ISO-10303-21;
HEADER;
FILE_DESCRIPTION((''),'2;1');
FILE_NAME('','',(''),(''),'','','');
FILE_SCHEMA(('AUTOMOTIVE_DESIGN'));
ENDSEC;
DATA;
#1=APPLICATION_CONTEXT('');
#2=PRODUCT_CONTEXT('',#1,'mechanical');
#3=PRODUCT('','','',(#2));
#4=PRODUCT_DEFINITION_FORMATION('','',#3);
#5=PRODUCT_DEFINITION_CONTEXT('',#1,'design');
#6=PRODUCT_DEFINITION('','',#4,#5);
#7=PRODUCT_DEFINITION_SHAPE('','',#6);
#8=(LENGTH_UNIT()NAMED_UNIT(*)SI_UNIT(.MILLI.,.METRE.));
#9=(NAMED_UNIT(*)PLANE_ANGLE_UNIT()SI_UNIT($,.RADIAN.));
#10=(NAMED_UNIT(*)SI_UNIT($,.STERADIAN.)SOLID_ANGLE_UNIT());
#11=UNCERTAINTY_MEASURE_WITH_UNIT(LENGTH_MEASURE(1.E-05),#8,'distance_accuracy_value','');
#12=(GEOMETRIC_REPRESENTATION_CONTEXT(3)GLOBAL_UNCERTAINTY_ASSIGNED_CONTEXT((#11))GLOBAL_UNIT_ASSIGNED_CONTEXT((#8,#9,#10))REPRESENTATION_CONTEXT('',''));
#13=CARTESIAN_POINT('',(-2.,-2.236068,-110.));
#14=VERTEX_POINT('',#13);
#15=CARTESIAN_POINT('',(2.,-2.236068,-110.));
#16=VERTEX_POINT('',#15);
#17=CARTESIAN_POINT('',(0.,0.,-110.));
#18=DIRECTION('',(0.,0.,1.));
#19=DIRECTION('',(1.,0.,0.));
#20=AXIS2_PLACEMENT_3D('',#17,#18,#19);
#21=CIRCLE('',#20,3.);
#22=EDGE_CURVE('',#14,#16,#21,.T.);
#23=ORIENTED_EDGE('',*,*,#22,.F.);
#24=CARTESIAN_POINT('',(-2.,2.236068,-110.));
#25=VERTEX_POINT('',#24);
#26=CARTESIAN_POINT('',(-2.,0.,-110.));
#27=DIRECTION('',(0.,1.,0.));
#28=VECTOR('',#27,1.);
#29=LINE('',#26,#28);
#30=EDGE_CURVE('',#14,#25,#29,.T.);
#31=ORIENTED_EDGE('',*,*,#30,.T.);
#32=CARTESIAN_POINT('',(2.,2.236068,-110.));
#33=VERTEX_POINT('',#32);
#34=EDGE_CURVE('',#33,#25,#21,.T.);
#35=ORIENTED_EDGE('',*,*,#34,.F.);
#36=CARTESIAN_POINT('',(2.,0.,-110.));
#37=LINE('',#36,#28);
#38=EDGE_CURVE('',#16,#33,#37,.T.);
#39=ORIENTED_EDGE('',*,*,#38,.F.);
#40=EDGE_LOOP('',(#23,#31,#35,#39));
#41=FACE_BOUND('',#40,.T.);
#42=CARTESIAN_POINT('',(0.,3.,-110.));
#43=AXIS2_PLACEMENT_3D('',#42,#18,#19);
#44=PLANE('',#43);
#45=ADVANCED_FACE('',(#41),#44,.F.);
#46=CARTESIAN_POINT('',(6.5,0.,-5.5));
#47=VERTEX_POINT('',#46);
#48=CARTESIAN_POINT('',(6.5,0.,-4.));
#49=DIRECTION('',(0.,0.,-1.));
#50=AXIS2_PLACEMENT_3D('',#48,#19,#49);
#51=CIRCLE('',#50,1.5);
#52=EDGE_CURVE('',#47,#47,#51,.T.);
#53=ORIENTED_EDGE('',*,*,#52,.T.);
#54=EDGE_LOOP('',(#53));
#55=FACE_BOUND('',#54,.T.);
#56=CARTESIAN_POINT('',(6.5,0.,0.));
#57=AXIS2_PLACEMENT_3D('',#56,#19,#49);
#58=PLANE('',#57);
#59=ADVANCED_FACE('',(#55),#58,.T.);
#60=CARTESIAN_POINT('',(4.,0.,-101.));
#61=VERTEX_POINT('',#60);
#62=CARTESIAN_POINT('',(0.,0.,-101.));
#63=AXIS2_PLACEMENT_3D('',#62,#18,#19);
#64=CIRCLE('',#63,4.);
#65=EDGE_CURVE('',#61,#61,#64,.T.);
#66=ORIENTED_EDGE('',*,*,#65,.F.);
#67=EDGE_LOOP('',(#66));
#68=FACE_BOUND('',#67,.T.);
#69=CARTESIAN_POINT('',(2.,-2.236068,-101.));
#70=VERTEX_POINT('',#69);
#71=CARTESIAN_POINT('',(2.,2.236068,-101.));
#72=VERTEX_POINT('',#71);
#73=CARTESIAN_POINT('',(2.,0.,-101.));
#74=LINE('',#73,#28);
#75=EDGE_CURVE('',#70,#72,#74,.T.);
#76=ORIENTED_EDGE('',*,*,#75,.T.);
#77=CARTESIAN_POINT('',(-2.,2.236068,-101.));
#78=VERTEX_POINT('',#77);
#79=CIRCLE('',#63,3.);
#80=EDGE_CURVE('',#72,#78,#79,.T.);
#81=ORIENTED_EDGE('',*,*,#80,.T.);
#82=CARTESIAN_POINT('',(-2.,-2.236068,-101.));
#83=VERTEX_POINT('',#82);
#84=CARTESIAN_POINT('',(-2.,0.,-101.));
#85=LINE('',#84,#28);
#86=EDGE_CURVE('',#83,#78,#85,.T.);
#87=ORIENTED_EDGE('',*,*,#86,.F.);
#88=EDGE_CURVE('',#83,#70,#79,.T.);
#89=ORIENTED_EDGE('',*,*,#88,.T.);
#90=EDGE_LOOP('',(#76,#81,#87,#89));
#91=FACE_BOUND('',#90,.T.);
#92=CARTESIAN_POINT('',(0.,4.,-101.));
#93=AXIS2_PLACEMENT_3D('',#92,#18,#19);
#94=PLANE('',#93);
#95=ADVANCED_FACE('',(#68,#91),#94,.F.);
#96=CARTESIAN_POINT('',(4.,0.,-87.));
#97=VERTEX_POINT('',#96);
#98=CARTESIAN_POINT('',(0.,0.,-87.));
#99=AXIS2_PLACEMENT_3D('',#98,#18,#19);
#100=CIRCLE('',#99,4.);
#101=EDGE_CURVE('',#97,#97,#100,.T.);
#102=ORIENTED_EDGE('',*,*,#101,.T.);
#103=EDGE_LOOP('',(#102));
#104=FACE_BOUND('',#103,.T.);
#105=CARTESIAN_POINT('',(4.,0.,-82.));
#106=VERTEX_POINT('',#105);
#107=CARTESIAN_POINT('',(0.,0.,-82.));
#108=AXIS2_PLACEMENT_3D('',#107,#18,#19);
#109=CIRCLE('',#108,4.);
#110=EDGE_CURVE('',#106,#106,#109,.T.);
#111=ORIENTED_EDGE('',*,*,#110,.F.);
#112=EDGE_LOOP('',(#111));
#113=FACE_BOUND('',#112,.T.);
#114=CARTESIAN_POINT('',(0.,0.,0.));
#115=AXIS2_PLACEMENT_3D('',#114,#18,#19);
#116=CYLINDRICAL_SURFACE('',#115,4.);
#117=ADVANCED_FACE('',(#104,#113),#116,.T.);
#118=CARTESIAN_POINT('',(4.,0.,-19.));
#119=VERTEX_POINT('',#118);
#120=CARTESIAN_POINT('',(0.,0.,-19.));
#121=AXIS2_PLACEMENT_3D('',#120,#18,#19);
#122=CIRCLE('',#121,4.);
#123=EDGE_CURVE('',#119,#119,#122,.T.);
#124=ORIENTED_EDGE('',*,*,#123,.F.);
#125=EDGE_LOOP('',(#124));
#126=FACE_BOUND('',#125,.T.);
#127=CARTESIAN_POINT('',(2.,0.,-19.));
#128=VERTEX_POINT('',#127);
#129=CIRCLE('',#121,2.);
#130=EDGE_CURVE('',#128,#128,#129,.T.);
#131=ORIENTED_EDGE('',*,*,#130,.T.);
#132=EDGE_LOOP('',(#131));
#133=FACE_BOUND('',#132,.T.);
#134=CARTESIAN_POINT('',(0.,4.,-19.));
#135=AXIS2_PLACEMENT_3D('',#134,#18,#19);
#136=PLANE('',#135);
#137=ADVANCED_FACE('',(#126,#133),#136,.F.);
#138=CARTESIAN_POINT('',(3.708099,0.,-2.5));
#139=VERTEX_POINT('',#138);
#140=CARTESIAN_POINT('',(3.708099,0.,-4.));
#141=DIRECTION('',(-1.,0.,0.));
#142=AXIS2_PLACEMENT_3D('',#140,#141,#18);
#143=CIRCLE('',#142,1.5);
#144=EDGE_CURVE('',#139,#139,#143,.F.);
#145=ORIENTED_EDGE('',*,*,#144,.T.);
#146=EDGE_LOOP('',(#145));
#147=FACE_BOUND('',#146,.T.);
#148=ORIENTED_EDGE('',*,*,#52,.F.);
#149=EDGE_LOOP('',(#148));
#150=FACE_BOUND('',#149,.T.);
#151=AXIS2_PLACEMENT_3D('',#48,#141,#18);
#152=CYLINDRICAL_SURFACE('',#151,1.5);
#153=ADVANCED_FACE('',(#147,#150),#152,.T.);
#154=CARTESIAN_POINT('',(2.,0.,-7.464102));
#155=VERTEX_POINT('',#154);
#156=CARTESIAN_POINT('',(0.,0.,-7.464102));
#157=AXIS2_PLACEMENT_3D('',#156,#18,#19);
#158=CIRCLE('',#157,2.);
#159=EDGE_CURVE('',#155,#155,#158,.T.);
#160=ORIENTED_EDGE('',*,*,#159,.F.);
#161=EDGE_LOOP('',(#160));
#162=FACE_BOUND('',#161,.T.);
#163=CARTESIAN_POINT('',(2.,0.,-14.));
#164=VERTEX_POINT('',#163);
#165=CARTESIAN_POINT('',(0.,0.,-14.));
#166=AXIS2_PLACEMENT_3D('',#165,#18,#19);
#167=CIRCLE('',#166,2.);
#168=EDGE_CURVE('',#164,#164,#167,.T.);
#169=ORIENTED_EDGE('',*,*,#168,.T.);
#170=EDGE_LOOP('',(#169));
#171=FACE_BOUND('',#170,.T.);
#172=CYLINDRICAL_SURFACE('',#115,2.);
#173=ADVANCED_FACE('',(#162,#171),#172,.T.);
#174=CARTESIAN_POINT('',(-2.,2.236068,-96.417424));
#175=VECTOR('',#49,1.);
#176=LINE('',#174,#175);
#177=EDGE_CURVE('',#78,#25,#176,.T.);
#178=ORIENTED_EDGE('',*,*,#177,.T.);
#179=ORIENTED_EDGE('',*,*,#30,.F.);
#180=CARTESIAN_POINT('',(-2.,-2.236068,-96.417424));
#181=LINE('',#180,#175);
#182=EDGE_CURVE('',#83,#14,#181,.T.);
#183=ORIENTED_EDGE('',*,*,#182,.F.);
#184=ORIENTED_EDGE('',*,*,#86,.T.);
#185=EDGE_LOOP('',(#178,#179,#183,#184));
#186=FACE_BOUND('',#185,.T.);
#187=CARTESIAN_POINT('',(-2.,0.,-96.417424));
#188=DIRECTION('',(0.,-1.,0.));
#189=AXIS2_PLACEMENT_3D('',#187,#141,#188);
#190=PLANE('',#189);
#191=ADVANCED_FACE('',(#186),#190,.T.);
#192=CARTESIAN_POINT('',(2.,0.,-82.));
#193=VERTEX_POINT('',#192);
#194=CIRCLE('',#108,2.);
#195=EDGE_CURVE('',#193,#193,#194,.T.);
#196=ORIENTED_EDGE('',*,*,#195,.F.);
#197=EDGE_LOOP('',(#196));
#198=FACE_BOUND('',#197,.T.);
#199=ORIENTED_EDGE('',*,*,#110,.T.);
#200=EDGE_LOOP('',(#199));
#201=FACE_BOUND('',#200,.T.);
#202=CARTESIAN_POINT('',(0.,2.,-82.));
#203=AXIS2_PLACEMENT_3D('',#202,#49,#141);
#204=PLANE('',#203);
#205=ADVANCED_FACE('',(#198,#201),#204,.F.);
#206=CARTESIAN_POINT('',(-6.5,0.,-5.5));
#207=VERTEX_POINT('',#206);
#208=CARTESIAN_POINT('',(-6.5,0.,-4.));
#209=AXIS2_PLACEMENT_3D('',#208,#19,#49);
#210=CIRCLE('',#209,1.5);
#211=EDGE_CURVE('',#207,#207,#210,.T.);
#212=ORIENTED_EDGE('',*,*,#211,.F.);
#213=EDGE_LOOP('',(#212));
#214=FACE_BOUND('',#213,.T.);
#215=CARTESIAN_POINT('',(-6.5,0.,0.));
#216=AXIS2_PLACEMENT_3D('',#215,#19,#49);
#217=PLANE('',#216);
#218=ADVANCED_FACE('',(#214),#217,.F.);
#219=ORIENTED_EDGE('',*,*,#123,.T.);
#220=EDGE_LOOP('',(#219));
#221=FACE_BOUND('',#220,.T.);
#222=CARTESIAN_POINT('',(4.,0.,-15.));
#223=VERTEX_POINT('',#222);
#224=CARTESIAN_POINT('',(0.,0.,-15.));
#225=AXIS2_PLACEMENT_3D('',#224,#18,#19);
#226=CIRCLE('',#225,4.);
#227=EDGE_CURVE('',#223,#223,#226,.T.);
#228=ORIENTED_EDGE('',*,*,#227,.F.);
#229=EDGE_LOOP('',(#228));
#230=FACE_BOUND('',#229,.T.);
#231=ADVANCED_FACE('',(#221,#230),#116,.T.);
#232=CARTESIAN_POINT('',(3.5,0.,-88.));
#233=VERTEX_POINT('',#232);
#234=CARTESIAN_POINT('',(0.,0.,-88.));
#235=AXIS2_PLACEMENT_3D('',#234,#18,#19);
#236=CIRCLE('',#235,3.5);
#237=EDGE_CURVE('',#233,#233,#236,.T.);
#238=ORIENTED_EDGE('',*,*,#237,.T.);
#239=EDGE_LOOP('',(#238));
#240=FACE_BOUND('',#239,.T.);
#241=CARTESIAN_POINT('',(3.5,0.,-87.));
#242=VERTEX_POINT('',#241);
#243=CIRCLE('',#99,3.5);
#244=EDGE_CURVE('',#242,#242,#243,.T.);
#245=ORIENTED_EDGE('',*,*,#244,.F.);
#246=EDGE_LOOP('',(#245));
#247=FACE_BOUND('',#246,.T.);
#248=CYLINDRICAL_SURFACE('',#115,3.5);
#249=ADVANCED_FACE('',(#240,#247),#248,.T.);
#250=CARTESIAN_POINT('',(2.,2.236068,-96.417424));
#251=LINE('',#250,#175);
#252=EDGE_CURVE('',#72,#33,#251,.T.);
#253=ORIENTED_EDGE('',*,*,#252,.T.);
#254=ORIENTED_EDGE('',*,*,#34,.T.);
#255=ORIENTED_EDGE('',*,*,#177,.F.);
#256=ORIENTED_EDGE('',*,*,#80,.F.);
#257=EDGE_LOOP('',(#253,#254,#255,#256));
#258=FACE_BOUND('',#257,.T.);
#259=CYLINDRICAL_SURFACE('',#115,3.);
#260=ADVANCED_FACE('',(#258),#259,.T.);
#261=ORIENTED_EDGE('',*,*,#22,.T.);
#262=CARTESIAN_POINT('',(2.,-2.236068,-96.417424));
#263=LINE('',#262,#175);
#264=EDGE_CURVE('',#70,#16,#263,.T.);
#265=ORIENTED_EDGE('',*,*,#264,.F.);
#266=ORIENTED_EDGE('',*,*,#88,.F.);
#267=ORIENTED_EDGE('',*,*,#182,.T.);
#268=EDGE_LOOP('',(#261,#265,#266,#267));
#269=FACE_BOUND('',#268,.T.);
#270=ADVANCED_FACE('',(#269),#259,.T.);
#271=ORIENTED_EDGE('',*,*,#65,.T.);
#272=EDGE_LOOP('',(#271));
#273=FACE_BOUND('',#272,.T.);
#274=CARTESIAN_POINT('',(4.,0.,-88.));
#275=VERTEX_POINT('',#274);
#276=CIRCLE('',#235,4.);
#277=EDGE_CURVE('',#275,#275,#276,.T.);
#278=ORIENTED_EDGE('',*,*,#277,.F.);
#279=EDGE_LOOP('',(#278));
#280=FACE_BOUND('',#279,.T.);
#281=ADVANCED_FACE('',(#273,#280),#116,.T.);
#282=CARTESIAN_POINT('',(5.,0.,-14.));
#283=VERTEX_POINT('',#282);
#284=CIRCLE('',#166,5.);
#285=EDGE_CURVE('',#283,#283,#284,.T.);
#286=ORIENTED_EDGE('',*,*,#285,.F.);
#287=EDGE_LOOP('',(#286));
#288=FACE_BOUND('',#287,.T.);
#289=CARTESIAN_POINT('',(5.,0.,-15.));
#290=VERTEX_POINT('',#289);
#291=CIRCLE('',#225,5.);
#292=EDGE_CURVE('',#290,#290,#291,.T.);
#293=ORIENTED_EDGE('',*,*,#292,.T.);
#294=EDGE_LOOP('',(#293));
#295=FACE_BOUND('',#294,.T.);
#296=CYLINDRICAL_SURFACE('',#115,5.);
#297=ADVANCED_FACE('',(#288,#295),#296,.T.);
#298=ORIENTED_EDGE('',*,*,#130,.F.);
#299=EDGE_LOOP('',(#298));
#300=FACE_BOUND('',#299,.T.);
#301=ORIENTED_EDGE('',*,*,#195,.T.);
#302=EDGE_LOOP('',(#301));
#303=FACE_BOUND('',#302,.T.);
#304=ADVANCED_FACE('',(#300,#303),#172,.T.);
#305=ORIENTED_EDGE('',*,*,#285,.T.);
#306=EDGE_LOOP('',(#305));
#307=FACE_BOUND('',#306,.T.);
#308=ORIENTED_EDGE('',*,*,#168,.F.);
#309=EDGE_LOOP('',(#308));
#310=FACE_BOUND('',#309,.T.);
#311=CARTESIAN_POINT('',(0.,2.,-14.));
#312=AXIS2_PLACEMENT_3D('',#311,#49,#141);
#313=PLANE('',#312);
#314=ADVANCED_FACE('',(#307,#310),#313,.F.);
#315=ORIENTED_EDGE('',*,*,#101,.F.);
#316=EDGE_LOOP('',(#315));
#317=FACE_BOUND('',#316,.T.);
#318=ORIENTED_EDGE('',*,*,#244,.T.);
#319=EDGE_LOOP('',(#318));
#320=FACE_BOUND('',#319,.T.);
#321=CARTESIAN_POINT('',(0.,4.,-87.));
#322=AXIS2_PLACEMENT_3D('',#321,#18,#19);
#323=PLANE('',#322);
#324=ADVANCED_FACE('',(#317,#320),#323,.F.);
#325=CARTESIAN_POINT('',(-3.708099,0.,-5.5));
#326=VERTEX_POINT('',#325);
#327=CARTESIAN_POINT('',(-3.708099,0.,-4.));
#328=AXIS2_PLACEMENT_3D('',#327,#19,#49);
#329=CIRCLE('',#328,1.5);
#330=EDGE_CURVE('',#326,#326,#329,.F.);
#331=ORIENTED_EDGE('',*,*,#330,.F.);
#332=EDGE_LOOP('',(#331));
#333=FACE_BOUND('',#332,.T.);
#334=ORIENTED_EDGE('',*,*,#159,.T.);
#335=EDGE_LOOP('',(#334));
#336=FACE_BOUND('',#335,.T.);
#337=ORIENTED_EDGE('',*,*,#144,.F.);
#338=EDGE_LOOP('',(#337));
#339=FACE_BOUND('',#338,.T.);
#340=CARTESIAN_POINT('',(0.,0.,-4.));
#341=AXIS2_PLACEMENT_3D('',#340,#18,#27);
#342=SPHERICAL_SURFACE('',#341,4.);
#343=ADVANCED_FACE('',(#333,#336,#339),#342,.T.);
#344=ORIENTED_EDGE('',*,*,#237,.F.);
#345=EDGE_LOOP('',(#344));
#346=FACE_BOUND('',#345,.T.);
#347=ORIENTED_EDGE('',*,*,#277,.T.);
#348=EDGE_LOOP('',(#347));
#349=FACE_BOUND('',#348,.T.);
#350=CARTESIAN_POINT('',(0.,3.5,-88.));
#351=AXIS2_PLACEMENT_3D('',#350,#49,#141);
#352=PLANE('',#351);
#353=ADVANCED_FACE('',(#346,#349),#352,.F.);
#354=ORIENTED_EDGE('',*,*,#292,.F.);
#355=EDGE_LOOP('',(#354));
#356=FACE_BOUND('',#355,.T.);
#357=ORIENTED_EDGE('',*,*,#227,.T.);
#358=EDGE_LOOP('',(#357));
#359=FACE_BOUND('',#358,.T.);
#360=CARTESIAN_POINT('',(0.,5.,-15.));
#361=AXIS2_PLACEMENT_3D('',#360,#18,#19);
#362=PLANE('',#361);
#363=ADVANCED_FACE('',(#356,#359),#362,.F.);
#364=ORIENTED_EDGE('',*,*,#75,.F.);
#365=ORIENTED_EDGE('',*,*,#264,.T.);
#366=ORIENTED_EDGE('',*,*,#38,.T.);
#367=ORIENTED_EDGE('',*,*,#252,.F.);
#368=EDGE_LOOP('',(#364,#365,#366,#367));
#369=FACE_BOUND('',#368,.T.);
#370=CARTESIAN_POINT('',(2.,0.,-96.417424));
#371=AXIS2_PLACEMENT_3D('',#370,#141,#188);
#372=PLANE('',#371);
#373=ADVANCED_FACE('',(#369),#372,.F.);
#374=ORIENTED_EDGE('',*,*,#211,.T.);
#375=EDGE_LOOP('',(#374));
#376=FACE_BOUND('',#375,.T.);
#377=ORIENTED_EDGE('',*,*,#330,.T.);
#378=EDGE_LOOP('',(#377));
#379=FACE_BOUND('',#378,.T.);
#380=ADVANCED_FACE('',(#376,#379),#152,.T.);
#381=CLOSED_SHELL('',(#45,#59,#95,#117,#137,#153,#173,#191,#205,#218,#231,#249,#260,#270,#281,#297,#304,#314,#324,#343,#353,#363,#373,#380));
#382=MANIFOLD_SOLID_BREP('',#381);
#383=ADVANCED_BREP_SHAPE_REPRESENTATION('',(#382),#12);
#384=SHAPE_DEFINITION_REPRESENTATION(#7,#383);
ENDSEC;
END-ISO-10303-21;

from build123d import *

# Parameters (mm, degrees)
CUT_EXTRUDE1_DEPTH  = 9
SKETCH3_R           = 1.5
BOSS_EXTRUDE1_DEPTH = 6.5


with BuildPart() as part:
    # Sketch1 → Revolve1 (revolve)
    with BuildSketch(Plane(origin=(0, 0, 0), x_dir=(0, 0, -1), z_dir=(1, 0, 0))):
        with BuildLine():
            Line((7.464101615, 2), (14, 2))
            Line((14, 2), (14, 5))
            Line((14, 5), (15, 5))
            Line((15, 5), (15, 4))
            Line((15, 4), (19, 4))
            Line((19, 4), (19, 2))
            Line((19, 2), (82, 2))
            Line((82, 2), (82, 4))
            Line((82, 4), (87, 4))
            Line((87, 4), (87, 3.5))
            Line((87, 3.5), (88, 3.5))
            Line((88, 3.5), (88, 4))
            Line((88, 4), (101, 4))
            Line((101, 4), (101, 3))
            Line((101, 3), (110, 3))
            Line((110, 3), (110, 0))
            Line((110, 0), (0, 0))
            ThreePointArc((0, 0), (2.96472382, 3.863703305), (7.464101615, 2))
        make_face()
    revolve(axis=Axis((0, 0, 0), (0, 0, -1)))

    # Sketch2 → Cut-Extrude1 (cut)
    with BuildSketch(Plane(origin=(0, 0, -110), x_dir=(-1, 0, 0), z_dir=(0, 0, -1))):
        with BuildLine():
            ThreePointArc((-2, 2.236067977), (-3, 0), (-2, -2.236067977))
            Line((-2, -2.236067977), (-2, 2.236067977))
        make_face()
        with BuildLine():
            Line((2, 2.236067977), (2, -2.236067977))
            ThreePointArc((2, -2.236067977), (2.738612788, -1.224744871), (3, 0))
            ThreePointArc((3, 0), (2.738612788, 1.224744871), (2, 2.236067977))
        make_face()
    extrude(amount=-CUT_EXTRUDE1_DEPTH, mode=Mode.SUBTRACT)

    # Sketch3 → Boss-Extrude1 (add, symmetric)
    with BuildSketch(Plane(origin=(0, 0, 0), x_dir=(0, 0, -1), z_dir=(1, 0, 0))):
        with Locations((4, 0)):
            Circle(SKETCH3_R)
    extrude(amount=BOSS_EXTRUDE1_DEPTH, both=True)


solid = part.part
